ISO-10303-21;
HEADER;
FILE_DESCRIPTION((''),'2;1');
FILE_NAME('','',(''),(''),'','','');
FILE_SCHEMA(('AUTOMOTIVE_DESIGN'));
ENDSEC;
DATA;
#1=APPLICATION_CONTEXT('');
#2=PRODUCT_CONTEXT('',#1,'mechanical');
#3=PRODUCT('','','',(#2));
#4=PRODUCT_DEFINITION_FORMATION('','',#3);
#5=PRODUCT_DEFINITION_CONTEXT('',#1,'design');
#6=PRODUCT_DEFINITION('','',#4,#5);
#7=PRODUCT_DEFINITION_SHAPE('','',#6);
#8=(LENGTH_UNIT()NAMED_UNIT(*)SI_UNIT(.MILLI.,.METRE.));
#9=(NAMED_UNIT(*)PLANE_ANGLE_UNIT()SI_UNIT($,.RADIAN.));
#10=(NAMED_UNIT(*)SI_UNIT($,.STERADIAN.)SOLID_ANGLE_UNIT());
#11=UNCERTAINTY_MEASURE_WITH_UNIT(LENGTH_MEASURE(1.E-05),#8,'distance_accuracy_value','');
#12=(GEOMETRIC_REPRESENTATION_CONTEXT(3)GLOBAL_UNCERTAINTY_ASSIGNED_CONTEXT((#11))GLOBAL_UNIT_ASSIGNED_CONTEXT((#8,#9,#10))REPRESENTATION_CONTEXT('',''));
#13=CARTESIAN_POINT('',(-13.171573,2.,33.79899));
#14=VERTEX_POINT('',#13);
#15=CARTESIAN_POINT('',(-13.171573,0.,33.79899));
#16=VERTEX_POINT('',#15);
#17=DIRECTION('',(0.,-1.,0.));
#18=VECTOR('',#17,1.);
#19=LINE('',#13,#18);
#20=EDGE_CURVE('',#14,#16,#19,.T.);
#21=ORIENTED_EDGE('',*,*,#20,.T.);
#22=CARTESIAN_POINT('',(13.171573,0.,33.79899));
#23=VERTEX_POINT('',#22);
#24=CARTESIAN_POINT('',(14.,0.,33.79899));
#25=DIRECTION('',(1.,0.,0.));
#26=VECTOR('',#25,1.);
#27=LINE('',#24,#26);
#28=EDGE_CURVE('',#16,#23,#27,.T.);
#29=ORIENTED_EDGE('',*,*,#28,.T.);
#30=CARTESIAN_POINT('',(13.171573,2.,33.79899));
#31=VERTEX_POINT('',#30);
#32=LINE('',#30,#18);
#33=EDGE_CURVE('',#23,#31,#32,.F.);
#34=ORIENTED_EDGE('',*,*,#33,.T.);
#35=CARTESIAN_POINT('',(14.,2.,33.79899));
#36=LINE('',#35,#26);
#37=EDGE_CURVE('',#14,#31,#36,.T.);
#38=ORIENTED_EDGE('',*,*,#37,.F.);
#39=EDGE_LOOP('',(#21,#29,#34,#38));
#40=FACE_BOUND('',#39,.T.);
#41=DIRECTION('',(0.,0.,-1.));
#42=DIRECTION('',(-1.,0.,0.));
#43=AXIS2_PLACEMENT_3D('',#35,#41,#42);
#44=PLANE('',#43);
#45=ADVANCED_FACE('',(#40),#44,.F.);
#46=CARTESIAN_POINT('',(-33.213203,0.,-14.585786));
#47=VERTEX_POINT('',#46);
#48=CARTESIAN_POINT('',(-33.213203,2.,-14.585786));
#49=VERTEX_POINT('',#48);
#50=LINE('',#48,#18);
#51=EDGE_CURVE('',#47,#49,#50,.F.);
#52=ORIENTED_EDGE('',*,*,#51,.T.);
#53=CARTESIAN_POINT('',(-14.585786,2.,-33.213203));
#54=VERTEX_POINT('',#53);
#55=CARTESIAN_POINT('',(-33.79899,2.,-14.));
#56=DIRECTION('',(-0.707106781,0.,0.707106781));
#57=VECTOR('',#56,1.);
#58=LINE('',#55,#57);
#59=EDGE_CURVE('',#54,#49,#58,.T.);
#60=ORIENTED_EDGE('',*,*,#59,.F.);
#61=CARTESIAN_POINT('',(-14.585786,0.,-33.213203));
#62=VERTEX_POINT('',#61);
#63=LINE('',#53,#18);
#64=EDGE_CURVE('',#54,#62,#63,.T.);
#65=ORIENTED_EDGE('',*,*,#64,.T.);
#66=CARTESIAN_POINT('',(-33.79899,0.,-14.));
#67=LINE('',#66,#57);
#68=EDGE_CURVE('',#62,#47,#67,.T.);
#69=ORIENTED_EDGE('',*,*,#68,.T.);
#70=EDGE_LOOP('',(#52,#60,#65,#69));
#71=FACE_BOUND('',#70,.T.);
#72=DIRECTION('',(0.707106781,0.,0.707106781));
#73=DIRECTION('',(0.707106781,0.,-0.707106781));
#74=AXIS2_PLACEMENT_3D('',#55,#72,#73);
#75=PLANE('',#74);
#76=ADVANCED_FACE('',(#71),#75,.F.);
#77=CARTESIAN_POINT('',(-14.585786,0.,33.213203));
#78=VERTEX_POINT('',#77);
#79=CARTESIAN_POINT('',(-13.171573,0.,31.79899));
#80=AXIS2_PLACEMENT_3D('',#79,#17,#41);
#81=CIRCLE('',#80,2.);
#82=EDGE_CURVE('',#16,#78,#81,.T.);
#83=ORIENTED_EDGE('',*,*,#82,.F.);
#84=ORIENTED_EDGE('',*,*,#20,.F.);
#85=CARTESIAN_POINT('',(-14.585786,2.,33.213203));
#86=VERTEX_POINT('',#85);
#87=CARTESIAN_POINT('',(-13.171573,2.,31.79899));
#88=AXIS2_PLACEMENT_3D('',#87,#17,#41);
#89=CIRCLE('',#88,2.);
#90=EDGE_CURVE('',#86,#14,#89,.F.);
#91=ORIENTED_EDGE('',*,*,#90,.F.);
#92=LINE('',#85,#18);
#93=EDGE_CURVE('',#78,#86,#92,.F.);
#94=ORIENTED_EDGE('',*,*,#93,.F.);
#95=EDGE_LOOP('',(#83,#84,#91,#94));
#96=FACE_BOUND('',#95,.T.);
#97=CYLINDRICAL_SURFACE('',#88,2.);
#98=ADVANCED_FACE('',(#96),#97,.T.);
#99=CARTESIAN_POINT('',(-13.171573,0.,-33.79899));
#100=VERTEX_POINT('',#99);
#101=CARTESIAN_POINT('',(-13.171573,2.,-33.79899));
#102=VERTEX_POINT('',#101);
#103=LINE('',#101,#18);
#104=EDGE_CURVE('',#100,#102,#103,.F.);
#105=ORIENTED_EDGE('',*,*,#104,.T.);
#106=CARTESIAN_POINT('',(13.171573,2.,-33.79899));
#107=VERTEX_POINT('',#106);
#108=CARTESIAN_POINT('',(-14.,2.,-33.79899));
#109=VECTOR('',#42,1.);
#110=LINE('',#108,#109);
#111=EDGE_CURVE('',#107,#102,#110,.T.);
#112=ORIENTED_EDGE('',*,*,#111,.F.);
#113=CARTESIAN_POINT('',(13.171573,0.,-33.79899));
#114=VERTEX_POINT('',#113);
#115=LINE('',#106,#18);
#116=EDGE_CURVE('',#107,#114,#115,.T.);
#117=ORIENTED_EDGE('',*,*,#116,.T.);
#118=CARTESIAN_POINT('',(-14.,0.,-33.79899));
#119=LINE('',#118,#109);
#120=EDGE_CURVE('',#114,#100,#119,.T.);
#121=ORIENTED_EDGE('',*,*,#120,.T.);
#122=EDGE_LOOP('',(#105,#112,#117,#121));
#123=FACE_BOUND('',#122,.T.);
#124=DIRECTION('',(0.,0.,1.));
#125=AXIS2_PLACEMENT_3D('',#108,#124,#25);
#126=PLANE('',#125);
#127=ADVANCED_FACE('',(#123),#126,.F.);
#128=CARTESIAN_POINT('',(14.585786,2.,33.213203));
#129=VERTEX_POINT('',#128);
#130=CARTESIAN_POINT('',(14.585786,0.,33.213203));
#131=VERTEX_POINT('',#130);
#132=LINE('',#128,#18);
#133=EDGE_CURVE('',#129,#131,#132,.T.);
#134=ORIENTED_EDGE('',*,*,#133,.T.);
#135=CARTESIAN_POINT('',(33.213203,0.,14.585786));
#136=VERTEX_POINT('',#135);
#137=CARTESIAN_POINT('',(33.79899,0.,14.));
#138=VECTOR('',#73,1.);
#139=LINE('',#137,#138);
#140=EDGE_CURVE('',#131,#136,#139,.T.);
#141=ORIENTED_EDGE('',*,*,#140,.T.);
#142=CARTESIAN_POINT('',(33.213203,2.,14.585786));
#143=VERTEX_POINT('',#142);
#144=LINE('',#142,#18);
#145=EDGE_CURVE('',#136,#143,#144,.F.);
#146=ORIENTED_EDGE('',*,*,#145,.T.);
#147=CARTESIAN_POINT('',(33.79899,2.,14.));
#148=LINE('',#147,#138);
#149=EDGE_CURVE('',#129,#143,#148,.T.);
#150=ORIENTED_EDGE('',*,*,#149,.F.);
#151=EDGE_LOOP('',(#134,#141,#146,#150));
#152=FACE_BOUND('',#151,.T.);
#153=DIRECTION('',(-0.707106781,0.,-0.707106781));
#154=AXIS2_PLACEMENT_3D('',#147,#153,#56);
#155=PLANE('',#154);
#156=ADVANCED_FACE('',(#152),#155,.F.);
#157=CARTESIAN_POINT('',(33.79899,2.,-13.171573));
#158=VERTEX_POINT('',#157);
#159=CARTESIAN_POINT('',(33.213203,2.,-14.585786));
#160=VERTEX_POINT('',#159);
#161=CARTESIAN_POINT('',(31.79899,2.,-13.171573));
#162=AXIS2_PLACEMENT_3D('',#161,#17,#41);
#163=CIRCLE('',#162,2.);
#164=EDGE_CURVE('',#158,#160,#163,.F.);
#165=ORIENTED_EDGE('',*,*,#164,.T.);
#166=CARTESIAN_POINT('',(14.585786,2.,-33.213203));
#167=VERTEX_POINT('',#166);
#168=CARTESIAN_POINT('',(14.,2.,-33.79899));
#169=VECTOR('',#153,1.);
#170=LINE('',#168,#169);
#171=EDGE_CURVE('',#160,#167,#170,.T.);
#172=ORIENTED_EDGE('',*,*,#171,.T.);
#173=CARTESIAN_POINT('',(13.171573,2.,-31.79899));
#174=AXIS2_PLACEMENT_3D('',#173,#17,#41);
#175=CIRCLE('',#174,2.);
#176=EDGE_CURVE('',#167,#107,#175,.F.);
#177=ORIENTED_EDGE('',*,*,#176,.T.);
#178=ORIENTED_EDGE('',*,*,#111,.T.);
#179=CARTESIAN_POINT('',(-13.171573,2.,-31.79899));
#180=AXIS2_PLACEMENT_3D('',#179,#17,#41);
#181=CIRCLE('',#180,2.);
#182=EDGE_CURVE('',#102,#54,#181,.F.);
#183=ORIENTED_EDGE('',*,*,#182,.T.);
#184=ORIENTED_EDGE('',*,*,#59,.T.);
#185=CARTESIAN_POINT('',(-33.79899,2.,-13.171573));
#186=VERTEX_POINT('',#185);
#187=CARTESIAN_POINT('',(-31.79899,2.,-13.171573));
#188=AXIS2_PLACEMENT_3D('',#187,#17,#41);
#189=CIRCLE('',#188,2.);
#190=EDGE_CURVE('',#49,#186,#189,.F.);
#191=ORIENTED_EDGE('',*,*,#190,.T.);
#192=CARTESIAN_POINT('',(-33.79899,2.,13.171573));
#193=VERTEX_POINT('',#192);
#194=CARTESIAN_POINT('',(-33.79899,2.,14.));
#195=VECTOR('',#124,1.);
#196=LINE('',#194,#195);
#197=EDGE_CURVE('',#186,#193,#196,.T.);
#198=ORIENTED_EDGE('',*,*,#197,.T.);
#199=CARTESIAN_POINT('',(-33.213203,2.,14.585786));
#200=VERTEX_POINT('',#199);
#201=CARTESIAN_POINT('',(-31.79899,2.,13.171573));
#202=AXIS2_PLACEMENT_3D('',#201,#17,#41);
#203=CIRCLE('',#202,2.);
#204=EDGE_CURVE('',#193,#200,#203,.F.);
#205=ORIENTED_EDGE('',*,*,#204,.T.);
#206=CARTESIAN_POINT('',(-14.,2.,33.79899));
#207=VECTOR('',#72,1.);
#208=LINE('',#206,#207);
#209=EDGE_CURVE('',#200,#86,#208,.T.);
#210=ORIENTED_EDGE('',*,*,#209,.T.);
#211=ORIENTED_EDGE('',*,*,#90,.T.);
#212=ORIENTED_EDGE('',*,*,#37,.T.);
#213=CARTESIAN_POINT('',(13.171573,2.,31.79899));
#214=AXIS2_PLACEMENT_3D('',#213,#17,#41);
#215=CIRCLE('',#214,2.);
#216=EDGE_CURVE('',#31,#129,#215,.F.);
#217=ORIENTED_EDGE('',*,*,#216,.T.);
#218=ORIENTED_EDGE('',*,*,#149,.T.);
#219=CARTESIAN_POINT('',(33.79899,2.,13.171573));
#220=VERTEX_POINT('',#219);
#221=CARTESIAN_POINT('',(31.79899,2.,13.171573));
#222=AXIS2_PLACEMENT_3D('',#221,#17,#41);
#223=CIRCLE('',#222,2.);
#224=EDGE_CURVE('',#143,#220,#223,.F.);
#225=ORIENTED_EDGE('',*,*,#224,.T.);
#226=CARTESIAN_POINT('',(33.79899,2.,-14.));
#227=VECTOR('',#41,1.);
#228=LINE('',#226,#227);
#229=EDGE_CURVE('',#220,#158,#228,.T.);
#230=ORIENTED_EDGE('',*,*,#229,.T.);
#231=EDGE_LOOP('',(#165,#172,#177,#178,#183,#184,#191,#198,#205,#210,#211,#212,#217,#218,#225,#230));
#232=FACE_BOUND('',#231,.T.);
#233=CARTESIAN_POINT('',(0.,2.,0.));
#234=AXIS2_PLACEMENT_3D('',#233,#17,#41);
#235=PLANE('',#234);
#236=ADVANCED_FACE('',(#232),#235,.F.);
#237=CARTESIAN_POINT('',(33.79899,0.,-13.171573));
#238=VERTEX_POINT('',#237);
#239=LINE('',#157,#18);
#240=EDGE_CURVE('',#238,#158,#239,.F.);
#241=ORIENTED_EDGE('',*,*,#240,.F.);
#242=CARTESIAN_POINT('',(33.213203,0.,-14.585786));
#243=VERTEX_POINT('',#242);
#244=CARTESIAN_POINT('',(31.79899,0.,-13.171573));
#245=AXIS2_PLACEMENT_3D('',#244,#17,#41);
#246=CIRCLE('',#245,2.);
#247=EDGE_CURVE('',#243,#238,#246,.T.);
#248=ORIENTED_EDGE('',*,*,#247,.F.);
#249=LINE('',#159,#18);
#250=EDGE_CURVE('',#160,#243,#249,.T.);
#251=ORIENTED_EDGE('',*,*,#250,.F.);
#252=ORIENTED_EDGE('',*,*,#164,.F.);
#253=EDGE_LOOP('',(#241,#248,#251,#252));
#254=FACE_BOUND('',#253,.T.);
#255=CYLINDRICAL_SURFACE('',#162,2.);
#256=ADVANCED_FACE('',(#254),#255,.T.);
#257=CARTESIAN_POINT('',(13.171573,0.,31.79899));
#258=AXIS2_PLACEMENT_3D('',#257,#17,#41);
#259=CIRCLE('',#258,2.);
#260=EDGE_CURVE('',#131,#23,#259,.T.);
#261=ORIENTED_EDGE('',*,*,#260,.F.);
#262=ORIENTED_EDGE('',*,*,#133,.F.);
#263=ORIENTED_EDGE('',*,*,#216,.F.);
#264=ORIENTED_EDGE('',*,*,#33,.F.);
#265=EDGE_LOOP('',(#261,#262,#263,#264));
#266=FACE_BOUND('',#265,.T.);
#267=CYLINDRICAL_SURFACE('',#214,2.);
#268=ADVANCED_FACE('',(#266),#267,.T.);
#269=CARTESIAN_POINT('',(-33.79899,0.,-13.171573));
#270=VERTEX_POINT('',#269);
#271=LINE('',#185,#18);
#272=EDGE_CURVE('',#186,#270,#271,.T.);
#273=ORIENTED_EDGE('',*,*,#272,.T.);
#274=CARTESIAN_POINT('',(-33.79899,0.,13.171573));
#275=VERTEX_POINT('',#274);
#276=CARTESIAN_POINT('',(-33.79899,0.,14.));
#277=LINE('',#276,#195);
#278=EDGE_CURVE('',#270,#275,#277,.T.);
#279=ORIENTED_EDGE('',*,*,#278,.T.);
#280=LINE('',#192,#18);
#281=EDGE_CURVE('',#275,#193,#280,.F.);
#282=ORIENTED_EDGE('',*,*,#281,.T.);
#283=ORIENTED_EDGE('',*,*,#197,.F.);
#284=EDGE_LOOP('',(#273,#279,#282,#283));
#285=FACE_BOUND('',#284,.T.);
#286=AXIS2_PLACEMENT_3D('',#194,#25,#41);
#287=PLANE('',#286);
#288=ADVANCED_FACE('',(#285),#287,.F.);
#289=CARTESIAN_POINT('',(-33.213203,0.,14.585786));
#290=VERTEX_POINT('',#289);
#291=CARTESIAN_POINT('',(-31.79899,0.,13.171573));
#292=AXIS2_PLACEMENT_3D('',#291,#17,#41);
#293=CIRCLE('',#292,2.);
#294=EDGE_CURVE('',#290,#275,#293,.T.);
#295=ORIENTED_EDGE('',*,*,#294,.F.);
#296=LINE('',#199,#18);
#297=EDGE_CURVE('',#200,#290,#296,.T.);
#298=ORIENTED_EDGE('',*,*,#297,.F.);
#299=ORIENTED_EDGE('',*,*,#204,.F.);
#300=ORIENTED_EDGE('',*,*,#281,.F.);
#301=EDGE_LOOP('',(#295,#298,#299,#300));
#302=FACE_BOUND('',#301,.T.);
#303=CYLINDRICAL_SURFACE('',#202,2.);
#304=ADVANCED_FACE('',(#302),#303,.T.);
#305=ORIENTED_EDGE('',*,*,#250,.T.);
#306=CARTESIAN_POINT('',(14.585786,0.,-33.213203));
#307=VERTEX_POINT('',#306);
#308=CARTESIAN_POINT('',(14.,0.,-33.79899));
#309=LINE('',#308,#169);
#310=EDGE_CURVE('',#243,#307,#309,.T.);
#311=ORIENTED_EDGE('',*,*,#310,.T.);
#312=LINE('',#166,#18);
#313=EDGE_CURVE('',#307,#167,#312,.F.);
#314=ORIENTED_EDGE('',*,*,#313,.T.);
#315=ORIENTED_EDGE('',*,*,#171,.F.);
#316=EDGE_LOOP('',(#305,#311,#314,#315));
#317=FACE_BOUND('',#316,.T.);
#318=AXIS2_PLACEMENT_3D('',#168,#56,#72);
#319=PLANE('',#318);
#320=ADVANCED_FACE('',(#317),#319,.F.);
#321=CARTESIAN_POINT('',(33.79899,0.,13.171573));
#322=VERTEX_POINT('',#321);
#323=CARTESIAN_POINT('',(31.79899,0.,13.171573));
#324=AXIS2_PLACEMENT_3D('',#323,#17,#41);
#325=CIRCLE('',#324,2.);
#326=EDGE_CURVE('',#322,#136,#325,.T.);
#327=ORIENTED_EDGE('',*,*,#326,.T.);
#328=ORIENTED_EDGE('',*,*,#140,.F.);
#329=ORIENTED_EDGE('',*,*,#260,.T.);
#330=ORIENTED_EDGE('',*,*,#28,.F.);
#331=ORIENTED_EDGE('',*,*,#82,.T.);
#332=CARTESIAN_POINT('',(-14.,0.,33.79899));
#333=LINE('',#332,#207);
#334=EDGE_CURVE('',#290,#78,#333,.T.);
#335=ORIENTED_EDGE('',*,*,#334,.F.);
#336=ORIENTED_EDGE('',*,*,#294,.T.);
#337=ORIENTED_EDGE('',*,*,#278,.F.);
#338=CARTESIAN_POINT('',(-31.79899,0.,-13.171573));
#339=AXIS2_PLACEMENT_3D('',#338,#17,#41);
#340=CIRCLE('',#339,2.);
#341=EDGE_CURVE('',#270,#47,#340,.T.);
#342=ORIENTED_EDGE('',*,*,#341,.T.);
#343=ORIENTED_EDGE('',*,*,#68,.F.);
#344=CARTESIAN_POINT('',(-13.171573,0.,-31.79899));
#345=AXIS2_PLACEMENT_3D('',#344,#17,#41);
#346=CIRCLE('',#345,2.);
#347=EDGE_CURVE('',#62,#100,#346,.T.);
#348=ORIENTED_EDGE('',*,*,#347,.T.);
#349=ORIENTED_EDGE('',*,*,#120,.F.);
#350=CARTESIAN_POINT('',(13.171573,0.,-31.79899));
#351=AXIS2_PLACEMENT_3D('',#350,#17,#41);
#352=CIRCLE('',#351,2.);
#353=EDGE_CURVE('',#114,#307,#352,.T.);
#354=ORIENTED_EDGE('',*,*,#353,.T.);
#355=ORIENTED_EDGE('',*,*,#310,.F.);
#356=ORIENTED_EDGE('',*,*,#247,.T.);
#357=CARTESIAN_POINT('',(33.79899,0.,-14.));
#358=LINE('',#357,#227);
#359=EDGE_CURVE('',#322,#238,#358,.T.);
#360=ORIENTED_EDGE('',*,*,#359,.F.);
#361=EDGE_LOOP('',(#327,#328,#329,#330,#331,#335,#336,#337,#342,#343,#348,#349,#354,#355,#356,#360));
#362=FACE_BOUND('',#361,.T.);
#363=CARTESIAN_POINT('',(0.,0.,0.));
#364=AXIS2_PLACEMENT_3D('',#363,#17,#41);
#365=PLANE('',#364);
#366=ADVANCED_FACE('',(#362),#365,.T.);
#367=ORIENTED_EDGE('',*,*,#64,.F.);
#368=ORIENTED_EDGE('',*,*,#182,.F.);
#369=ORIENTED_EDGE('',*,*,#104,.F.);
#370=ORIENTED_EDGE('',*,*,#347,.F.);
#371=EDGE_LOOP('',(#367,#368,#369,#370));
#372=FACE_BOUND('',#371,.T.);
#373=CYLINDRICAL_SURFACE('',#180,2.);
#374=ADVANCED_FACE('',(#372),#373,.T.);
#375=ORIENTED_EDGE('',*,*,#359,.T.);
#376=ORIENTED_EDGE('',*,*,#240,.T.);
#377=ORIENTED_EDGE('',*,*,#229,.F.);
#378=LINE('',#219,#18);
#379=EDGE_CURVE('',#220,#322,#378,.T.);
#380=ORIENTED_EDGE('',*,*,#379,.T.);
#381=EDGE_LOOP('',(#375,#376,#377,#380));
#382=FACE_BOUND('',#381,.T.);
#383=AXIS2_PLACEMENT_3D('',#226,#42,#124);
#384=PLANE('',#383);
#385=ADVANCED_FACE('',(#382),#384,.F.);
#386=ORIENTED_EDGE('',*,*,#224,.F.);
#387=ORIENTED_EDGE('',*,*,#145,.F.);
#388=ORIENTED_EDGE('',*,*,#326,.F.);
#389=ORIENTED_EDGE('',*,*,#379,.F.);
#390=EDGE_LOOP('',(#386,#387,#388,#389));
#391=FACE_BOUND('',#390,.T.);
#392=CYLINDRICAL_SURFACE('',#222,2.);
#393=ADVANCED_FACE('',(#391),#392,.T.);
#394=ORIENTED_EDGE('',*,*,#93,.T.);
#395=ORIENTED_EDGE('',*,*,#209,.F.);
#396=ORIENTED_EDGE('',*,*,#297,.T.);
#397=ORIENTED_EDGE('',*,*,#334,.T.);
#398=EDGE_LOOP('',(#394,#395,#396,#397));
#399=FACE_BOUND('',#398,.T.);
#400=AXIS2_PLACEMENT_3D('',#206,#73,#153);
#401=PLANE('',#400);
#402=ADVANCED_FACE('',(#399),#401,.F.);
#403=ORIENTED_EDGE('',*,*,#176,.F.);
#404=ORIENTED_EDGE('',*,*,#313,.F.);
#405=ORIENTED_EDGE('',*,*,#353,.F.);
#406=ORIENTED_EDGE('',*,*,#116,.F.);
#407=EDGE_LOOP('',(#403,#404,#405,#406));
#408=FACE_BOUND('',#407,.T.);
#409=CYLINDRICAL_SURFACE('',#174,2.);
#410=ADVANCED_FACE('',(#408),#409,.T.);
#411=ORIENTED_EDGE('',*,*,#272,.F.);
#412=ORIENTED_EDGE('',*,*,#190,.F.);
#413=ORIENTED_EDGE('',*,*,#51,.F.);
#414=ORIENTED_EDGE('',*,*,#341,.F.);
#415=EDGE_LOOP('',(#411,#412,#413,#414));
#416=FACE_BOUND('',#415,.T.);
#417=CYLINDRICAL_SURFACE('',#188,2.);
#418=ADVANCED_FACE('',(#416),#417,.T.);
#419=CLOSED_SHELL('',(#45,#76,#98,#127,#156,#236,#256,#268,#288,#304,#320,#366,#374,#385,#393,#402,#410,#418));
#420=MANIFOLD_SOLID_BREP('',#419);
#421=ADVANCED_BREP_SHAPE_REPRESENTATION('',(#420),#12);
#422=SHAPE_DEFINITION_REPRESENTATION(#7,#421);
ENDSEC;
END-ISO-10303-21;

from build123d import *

# Parameters (mm, degrees)
BOSS_EXTRUDE1_DEPTH = 2
FILLET1_R           = 2


with BuildPart() as part:
    # Sketch1 → Boss-Extrude1 (new body)
    with BuildSketch(Plane(origin=(0, 0, 0), x_dir=(1, 0, 0), z_dir=(0, 1, 0))):
        Polygon((-14, 33.798989873), (14, 33.798989873), (33.798989873, 14), (33.798989873, -14), (14, -33.798989873), (-14, -33.798989873), (-33.798989873, -14), (-33.798989873, 14), align=None)
    extrude(amount=BOSS_EXTRUDE1_DEPTH)

    # Fillet1
    fillet1_edges = [part.edges().sort_by_distance(p)[0] for p in [
        (-14, 1, -33.798989873),
        (14, 1, -33.798989873),
        (33.798989873, 1, -14),
        (33.798989873, 1, 14),
        (14, 1, 33.798989873),
        (-14, 1, 33.798989873),
        (-33.798989873, 1, 14),
        (-33.798989873, 1, -14),
    ]]
    fillet(fillet1_edges, radius=FILLET1_R)


solid = part.part
